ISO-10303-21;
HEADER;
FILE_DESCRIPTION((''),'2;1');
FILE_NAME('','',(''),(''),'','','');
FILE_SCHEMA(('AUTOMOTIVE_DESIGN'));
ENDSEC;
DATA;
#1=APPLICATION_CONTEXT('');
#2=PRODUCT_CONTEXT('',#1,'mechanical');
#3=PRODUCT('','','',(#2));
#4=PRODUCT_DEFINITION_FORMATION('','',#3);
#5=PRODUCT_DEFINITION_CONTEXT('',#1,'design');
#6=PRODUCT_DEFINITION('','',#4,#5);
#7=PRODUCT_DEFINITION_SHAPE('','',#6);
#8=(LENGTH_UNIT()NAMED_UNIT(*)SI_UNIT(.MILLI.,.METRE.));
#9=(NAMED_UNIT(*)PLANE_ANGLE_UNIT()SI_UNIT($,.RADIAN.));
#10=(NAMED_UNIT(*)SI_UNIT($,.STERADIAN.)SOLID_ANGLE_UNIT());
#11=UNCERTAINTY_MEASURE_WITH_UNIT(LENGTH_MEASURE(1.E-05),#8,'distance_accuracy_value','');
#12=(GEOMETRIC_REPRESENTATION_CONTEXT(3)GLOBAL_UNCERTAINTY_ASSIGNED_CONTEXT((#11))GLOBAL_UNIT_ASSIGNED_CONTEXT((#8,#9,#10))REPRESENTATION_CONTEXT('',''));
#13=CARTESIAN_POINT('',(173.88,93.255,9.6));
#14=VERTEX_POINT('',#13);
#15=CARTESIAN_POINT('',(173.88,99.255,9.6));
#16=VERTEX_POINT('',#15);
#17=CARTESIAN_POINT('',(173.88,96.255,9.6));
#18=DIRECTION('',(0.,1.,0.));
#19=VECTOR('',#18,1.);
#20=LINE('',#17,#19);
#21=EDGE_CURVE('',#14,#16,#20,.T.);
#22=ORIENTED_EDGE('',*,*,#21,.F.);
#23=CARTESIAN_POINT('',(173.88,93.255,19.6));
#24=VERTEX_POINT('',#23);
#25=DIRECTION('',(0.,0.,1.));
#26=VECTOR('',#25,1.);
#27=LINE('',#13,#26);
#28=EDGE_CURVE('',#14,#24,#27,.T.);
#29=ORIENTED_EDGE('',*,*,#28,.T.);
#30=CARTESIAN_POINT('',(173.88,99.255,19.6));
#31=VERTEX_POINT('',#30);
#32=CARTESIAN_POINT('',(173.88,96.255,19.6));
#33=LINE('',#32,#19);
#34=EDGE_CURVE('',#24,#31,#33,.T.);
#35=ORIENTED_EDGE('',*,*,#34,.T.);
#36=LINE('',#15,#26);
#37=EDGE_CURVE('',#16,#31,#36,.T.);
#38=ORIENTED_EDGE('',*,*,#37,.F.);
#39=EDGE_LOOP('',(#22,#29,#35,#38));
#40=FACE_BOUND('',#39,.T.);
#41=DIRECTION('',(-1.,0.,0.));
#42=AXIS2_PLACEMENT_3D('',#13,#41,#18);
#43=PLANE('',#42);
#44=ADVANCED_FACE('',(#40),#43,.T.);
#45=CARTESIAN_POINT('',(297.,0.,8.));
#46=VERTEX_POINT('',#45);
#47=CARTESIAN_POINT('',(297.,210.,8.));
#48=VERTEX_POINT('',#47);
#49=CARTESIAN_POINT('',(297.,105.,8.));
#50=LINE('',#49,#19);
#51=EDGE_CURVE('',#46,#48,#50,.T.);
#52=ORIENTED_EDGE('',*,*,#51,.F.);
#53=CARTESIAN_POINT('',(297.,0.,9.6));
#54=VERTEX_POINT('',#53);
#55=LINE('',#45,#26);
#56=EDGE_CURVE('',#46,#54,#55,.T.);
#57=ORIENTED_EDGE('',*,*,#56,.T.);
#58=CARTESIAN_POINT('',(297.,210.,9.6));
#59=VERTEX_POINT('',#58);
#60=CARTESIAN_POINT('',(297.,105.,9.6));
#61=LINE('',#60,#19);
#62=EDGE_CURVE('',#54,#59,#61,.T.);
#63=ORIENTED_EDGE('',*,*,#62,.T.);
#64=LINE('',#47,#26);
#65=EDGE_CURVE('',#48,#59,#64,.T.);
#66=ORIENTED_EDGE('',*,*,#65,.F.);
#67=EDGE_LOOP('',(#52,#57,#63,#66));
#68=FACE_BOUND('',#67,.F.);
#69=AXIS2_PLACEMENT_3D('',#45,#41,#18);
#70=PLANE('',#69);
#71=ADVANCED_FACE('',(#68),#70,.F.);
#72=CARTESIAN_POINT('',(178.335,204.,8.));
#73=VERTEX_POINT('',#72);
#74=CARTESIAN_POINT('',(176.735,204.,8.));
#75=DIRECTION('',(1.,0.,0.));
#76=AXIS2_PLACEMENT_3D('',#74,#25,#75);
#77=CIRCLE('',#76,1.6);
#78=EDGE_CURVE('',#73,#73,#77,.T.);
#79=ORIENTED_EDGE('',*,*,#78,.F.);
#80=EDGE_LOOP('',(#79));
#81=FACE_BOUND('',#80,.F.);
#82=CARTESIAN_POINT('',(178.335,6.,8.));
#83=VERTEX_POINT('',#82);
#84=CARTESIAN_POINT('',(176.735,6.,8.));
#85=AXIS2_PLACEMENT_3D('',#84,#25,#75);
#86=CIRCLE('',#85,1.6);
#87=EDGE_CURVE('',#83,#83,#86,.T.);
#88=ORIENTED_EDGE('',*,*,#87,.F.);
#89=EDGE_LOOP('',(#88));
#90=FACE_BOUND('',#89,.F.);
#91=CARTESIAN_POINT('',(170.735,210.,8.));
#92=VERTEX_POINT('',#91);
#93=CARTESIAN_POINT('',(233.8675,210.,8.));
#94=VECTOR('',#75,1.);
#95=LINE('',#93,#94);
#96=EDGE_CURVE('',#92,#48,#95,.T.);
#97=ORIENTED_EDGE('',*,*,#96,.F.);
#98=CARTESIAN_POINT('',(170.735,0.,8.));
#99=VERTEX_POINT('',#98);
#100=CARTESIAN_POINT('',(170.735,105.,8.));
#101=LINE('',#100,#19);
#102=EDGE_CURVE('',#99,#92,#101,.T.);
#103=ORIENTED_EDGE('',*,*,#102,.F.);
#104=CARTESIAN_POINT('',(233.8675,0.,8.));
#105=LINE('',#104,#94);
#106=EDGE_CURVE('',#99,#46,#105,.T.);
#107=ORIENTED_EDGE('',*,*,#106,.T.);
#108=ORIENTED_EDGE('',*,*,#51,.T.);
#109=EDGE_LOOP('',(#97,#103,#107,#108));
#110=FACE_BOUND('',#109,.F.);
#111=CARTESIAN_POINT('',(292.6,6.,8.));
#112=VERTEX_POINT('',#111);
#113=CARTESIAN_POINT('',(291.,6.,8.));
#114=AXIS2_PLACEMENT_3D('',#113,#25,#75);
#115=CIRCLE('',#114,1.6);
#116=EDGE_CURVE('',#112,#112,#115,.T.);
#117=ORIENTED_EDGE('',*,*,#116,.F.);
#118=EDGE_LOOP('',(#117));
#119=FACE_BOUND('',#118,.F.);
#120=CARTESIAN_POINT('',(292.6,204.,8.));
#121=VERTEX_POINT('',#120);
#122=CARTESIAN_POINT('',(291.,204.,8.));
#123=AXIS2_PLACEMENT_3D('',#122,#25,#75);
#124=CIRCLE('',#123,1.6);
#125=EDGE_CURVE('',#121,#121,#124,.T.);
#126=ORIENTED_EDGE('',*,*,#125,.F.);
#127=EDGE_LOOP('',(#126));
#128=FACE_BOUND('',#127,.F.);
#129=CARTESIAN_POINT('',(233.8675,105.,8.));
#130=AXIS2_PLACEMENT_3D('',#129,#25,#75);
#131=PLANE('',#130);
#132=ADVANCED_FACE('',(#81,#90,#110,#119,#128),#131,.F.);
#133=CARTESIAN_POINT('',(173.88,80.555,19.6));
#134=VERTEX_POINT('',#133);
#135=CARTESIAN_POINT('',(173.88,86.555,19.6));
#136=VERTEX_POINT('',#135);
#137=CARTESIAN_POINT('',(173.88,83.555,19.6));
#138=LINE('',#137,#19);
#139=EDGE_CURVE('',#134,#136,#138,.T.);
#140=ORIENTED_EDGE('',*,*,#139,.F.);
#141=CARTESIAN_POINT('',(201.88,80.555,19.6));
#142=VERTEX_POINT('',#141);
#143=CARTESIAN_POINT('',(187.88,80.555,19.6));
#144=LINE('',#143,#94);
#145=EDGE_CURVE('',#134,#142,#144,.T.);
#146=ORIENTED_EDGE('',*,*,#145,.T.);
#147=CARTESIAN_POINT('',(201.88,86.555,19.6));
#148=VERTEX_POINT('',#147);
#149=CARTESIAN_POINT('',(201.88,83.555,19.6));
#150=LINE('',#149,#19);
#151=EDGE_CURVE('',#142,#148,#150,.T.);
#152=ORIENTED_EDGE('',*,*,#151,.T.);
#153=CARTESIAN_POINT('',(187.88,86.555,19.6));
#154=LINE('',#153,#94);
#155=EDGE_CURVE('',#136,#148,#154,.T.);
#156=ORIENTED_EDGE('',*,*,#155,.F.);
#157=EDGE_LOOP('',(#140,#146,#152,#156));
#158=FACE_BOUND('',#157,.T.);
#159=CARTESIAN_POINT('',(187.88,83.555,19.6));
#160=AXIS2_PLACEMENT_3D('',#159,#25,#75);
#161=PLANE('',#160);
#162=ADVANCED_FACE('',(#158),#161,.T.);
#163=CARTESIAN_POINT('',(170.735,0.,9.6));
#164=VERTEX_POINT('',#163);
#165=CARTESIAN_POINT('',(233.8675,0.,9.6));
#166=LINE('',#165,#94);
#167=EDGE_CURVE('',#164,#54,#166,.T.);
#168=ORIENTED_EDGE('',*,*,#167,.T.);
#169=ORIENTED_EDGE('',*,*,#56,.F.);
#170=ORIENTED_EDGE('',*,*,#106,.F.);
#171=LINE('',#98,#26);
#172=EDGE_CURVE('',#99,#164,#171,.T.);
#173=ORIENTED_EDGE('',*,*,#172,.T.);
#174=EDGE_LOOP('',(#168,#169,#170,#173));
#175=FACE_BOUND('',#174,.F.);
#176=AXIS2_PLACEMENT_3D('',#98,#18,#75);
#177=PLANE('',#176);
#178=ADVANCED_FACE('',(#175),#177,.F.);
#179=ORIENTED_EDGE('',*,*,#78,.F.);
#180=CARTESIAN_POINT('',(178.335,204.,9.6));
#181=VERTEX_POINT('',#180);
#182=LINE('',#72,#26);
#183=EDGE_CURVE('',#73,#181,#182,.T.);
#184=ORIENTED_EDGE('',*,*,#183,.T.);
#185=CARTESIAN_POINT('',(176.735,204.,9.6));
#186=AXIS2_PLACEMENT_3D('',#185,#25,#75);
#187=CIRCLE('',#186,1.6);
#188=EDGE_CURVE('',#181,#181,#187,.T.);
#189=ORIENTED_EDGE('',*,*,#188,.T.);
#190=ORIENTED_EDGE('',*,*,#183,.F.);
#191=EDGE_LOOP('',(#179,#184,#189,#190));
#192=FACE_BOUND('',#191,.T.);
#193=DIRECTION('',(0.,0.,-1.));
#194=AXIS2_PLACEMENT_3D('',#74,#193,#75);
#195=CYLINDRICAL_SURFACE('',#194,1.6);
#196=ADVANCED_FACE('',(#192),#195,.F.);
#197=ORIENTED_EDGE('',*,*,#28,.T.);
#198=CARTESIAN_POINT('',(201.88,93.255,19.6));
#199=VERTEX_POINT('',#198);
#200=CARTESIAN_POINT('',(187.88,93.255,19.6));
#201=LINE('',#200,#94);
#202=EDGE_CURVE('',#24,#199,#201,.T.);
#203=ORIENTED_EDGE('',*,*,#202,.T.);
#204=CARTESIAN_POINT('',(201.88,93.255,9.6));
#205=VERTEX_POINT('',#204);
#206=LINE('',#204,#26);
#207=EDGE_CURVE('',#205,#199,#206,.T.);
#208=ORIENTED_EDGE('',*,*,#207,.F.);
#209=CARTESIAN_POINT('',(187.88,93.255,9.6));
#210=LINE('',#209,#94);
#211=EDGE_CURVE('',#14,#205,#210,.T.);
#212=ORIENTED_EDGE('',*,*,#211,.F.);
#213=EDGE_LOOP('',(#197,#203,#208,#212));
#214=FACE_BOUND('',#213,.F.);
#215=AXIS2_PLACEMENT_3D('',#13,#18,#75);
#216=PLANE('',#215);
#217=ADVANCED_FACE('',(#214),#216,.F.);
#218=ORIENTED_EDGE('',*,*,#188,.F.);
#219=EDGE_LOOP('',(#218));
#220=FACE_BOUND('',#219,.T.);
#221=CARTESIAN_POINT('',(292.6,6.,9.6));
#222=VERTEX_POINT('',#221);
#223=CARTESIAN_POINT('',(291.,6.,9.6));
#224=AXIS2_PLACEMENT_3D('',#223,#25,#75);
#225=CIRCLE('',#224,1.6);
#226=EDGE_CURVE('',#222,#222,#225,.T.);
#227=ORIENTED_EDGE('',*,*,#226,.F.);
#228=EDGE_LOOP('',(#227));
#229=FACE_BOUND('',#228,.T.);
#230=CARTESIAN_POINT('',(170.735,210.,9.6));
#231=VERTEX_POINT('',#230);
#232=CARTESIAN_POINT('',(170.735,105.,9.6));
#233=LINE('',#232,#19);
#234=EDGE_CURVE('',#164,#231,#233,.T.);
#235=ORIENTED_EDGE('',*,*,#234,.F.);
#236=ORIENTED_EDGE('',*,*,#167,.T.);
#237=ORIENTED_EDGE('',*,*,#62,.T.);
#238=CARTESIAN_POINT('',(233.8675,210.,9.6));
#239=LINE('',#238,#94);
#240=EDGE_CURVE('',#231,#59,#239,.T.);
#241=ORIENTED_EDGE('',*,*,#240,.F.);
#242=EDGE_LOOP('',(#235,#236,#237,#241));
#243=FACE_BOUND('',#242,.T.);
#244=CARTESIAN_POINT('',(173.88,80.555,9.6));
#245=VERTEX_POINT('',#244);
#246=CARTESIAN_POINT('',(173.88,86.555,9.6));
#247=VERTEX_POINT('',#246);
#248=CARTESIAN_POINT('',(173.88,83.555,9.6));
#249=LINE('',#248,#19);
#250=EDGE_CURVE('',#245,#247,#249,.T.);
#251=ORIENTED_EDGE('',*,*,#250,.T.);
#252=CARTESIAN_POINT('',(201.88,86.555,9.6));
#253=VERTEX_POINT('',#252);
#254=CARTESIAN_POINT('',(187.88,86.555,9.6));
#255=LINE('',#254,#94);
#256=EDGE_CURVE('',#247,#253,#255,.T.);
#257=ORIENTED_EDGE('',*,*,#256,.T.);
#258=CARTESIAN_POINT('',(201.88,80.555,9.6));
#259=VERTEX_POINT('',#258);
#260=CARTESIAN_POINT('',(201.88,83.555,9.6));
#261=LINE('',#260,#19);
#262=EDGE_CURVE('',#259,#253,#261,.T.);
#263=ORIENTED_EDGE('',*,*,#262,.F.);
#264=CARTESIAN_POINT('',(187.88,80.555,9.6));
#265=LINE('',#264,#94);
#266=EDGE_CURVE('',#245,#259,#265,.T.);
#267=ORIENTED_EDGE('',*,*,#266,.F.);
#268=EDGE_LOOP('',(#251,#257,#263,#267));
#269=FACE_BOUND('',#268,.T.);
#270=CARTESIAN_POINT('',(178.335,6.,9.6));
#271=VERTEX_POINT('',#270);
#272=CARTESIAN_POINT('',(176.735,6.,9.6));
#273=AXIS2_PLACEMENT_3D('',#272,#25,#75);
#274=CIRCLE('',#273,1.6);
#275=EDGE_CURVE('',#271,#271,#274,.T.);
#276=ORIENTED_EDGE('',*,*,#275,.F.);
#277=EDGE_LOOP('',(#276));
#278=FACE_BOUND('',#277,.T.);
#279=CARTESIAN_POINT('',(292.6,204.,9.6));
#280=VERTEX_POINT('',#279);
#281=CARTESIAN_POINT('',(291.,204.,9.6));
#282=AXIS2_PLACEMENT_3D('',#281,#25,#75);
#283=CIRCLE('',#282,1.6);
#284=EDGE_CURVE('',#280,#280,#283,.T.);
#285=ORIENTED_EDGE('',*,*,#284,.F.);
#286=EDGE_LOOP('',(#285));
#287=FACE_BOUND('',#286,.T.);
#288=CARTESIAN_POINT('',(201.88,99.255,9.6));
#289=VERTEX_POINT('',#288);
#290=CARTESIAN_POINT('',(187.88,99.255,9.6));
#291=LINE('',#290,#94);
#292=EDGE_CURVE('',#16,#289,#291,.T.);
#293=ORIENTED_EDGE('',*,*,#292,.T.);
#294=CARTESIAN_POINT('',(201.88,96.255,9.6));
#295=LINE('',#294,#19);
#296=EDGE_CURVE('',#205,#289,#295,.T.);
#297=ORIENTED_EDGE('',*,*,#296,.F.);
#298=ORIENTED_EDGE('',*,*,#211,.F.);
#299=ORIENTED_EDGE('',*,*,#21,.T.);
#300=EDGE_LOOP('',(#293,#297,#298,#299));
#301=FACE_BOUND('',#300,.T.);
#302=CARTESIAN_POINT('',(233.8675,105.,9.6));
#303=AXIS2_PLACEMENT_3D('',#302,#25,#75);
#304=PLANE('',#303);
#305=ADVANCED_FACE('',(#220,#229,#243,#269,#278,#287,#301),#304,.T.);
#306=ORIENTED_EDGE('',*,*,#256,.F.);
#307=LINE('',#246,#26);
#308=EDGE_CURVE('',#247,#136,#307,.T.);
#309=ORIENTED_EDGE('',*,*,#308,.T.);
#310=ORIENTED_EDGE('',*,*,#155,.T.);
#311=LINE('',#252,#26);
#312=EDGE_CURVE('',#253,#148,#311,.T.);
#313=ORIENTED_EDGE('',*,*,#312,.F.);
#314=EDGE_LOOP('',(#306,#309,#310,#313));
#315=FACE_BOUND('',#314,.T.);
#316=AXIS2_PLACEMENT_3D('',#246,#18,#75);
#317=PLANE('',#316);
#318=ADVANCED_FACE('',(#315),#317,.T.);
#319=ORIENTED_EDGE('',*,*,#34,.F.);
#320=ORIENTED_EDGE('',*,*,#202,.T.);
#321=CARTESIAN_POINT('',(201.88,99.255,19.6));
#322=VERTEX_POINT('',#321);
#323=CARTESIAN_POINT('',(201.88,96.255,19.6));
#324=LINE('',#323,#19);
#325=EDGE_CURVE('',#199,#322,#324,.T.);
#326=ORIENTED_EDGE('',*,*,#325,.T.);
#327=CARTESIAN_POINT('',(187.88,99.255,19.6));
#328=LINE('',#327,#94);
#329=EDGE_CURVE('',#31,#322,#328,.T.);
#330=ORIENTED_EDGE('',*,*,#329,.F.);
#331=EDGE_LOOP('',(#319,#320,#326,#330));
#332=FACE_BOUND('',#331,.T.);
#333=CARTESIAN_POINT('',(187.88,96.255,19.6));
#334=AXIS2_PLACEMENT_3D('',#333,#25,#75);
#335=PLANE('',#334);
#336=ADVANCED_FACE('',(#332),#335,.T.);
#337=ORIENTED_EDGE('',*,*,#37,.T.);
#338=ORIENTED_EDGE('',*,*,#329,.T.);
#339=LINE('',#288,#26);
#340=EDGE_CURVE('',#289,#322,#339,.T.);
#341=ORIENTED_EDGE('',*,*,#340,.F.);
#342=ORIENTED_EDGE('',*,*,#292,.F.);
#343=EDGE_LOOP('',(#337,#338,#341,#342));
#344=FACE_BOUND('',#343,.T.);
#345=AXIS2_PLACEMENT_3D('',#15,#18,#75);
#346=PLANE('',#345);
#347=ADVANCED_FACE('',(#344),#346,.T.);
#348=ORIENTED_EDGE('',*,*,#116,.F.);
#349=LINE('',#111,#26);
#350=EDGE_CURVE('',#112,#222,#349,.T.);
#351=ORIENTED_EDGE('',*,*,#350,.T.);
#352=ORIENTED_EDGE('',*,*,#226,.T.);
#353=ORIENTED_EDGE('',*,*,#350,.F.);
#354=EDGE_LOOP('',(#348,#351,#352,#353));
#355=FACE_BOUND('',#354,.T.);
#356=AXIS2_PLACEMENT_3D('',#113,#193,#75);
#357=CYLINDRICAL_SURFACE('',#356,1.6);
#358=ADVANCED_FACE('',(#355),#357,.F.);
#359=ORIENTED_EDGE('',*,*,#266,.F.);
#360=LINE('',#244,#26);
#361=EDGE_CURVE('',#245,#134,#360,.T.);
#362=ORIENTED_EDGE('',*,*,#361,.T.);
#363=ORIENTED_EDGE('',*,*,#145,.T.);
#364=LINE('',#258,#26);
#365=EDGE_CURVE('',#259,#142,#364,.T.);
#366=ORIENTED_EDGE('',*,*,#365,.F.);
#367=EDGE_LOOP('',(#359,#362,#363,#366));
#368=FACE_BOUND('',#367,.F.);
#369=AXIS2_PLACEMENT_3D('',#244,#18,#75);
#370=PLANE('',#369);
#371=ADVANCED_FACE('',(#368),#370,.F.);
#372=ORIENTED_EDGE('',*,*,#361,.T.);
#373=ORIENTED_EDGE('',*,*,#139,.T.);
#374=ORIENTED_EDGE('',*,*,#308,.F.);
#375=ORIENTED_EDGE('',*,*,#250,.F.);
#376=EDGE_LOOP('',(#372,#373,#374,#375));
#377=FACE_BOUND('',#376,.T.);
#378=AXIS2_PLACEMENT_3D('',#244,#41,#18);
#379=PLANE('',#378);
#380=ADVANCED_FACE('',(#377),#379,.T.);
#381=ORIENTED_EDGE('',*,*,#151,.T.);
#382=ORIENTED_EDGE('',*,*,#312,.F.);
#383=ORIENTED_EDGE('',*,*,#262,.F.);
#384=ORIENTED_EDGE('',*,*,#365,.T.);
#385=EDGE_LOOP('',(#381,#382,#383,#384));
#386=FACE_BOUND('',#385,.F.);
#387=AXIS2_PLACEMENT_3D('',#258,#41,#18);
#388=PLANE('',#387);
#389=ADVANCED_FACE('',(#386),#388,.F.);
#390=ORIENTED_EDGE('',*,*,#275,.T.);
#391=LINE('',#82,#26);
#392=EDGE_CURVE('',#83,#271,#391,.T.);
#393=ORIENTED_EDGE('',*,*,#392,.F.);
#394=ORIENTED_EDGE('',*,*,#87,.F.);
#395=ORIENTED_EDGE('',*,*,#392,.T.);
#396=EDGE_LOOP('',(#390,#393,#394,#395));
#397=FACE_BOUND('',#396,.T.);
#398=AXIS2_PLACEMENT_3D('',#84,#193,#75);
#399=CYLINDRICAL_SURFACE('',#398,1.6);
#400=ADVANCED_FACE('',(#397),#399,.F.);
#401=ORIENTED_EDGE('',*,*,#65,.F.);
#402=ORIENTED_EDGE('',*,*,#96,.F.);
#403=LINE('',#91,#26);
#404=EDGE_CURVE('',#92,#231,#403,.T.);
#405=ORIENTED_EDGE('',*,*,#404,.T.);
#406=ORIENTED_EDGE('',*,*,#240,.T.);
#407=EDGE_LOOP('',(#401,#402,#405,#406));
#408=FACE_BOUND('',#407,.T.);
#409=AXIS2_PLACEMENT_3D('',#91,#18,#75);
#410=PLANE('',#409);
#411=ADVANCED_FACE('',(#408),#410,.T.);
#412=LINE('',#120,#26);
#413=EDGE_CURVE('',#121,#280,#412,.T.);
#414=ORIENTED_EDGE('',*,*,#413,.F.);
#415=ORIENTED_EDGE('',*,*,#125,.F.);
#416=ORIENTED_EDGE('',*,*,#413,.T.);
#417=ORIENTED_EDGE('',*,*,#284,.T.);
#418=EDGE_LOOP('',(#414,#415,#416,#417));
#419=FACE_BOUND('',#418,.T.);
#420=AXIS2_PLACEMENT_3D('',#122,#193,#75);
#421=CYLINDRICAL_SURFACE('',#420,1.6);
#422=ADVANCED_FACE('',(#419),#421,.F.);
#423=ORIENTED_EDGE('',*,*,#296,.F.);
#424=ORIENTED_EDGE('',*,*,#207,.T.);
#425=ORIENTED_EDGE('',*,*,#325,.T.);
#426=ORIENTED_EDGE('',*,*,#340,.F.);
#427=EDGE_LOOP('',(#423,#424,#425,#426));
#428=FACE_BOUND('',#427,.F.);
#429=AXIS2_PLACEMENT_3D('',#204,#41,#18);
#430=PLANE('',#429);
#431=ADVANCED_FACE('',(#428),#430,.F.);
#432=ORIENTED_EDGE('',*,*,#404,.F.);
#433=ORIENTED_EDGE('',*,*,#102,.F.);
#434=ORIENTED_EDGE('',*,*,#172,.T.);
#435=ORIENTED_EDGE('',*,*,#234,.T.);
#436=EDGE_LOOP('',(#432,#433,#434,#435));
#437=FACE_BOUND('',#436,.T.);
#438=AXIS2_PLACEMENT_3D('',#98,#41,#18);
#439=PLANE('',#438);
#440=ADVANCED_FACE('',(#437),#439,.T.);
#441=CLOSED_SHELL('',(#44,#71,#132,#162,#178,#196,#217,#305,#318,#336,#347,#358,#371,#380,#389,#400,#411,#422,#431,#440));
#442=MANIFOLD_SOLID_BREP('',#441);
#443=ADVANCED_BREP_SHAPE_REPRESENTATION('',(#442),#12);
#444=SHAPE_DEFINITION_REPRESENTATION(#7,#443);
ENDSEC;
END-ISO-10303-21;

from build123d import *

# Parameters (mm, degrees)
SKETCH001_W      = 126.265
SKETCH001_H      = 210
SKETCH001_R      = 1.6
EXTRUDE001_DEPTH = 1.6
SKETCH006_W      = 28
SKETCH006_H      = 6
EXTRUDE006_DEPTH = 10


with BuildPart() as extrude001:
    # Sketch001 → Extrude001 (new body)
    with BuildSketch(Plane.XY.offset(8)):
        with Locations((233.8675, 105)):
            Rectangle(SKETCH001_W, SKETCH001_H)
        with Locations((176.735, 204)):
            Circle(SKETCH001_R, mode=Mode.SUBTRACT)
        with Locations((291, 204)):
            Circle(SKETCH001_R, mode=Mode.SUBTRACT)
        with Locations((291, 6)):
            Circle(SKETCH001_R, mode=Mode.SUBTRACT)
        with Locations((176.735, 6)):
            Circle(SKETCH001_R, mode=Mode.SUBTRACT)
    extrude(amount=EXTRUDE001_DEPTH)


with BuildPart() as ula8:
    # Sketch006 (on Face10 of Extrude001) → Extrude006 (new body)
    with BuildSketch(Plane.XY.offset(9.6)):
        with Locations((187.88, 96.255)):
            Rectangle(SKETCH006_W, SKETCH006_H)
        with Locations((187.88, 83.555)):
            Rectangle(SKETCH006_W, SKETCH006_H)
    extrude(amount=EXTRUDE006_DEPTH)

    # Fusion003: union Extrude001
    add(extrude001.part)


solid = ula8.part
